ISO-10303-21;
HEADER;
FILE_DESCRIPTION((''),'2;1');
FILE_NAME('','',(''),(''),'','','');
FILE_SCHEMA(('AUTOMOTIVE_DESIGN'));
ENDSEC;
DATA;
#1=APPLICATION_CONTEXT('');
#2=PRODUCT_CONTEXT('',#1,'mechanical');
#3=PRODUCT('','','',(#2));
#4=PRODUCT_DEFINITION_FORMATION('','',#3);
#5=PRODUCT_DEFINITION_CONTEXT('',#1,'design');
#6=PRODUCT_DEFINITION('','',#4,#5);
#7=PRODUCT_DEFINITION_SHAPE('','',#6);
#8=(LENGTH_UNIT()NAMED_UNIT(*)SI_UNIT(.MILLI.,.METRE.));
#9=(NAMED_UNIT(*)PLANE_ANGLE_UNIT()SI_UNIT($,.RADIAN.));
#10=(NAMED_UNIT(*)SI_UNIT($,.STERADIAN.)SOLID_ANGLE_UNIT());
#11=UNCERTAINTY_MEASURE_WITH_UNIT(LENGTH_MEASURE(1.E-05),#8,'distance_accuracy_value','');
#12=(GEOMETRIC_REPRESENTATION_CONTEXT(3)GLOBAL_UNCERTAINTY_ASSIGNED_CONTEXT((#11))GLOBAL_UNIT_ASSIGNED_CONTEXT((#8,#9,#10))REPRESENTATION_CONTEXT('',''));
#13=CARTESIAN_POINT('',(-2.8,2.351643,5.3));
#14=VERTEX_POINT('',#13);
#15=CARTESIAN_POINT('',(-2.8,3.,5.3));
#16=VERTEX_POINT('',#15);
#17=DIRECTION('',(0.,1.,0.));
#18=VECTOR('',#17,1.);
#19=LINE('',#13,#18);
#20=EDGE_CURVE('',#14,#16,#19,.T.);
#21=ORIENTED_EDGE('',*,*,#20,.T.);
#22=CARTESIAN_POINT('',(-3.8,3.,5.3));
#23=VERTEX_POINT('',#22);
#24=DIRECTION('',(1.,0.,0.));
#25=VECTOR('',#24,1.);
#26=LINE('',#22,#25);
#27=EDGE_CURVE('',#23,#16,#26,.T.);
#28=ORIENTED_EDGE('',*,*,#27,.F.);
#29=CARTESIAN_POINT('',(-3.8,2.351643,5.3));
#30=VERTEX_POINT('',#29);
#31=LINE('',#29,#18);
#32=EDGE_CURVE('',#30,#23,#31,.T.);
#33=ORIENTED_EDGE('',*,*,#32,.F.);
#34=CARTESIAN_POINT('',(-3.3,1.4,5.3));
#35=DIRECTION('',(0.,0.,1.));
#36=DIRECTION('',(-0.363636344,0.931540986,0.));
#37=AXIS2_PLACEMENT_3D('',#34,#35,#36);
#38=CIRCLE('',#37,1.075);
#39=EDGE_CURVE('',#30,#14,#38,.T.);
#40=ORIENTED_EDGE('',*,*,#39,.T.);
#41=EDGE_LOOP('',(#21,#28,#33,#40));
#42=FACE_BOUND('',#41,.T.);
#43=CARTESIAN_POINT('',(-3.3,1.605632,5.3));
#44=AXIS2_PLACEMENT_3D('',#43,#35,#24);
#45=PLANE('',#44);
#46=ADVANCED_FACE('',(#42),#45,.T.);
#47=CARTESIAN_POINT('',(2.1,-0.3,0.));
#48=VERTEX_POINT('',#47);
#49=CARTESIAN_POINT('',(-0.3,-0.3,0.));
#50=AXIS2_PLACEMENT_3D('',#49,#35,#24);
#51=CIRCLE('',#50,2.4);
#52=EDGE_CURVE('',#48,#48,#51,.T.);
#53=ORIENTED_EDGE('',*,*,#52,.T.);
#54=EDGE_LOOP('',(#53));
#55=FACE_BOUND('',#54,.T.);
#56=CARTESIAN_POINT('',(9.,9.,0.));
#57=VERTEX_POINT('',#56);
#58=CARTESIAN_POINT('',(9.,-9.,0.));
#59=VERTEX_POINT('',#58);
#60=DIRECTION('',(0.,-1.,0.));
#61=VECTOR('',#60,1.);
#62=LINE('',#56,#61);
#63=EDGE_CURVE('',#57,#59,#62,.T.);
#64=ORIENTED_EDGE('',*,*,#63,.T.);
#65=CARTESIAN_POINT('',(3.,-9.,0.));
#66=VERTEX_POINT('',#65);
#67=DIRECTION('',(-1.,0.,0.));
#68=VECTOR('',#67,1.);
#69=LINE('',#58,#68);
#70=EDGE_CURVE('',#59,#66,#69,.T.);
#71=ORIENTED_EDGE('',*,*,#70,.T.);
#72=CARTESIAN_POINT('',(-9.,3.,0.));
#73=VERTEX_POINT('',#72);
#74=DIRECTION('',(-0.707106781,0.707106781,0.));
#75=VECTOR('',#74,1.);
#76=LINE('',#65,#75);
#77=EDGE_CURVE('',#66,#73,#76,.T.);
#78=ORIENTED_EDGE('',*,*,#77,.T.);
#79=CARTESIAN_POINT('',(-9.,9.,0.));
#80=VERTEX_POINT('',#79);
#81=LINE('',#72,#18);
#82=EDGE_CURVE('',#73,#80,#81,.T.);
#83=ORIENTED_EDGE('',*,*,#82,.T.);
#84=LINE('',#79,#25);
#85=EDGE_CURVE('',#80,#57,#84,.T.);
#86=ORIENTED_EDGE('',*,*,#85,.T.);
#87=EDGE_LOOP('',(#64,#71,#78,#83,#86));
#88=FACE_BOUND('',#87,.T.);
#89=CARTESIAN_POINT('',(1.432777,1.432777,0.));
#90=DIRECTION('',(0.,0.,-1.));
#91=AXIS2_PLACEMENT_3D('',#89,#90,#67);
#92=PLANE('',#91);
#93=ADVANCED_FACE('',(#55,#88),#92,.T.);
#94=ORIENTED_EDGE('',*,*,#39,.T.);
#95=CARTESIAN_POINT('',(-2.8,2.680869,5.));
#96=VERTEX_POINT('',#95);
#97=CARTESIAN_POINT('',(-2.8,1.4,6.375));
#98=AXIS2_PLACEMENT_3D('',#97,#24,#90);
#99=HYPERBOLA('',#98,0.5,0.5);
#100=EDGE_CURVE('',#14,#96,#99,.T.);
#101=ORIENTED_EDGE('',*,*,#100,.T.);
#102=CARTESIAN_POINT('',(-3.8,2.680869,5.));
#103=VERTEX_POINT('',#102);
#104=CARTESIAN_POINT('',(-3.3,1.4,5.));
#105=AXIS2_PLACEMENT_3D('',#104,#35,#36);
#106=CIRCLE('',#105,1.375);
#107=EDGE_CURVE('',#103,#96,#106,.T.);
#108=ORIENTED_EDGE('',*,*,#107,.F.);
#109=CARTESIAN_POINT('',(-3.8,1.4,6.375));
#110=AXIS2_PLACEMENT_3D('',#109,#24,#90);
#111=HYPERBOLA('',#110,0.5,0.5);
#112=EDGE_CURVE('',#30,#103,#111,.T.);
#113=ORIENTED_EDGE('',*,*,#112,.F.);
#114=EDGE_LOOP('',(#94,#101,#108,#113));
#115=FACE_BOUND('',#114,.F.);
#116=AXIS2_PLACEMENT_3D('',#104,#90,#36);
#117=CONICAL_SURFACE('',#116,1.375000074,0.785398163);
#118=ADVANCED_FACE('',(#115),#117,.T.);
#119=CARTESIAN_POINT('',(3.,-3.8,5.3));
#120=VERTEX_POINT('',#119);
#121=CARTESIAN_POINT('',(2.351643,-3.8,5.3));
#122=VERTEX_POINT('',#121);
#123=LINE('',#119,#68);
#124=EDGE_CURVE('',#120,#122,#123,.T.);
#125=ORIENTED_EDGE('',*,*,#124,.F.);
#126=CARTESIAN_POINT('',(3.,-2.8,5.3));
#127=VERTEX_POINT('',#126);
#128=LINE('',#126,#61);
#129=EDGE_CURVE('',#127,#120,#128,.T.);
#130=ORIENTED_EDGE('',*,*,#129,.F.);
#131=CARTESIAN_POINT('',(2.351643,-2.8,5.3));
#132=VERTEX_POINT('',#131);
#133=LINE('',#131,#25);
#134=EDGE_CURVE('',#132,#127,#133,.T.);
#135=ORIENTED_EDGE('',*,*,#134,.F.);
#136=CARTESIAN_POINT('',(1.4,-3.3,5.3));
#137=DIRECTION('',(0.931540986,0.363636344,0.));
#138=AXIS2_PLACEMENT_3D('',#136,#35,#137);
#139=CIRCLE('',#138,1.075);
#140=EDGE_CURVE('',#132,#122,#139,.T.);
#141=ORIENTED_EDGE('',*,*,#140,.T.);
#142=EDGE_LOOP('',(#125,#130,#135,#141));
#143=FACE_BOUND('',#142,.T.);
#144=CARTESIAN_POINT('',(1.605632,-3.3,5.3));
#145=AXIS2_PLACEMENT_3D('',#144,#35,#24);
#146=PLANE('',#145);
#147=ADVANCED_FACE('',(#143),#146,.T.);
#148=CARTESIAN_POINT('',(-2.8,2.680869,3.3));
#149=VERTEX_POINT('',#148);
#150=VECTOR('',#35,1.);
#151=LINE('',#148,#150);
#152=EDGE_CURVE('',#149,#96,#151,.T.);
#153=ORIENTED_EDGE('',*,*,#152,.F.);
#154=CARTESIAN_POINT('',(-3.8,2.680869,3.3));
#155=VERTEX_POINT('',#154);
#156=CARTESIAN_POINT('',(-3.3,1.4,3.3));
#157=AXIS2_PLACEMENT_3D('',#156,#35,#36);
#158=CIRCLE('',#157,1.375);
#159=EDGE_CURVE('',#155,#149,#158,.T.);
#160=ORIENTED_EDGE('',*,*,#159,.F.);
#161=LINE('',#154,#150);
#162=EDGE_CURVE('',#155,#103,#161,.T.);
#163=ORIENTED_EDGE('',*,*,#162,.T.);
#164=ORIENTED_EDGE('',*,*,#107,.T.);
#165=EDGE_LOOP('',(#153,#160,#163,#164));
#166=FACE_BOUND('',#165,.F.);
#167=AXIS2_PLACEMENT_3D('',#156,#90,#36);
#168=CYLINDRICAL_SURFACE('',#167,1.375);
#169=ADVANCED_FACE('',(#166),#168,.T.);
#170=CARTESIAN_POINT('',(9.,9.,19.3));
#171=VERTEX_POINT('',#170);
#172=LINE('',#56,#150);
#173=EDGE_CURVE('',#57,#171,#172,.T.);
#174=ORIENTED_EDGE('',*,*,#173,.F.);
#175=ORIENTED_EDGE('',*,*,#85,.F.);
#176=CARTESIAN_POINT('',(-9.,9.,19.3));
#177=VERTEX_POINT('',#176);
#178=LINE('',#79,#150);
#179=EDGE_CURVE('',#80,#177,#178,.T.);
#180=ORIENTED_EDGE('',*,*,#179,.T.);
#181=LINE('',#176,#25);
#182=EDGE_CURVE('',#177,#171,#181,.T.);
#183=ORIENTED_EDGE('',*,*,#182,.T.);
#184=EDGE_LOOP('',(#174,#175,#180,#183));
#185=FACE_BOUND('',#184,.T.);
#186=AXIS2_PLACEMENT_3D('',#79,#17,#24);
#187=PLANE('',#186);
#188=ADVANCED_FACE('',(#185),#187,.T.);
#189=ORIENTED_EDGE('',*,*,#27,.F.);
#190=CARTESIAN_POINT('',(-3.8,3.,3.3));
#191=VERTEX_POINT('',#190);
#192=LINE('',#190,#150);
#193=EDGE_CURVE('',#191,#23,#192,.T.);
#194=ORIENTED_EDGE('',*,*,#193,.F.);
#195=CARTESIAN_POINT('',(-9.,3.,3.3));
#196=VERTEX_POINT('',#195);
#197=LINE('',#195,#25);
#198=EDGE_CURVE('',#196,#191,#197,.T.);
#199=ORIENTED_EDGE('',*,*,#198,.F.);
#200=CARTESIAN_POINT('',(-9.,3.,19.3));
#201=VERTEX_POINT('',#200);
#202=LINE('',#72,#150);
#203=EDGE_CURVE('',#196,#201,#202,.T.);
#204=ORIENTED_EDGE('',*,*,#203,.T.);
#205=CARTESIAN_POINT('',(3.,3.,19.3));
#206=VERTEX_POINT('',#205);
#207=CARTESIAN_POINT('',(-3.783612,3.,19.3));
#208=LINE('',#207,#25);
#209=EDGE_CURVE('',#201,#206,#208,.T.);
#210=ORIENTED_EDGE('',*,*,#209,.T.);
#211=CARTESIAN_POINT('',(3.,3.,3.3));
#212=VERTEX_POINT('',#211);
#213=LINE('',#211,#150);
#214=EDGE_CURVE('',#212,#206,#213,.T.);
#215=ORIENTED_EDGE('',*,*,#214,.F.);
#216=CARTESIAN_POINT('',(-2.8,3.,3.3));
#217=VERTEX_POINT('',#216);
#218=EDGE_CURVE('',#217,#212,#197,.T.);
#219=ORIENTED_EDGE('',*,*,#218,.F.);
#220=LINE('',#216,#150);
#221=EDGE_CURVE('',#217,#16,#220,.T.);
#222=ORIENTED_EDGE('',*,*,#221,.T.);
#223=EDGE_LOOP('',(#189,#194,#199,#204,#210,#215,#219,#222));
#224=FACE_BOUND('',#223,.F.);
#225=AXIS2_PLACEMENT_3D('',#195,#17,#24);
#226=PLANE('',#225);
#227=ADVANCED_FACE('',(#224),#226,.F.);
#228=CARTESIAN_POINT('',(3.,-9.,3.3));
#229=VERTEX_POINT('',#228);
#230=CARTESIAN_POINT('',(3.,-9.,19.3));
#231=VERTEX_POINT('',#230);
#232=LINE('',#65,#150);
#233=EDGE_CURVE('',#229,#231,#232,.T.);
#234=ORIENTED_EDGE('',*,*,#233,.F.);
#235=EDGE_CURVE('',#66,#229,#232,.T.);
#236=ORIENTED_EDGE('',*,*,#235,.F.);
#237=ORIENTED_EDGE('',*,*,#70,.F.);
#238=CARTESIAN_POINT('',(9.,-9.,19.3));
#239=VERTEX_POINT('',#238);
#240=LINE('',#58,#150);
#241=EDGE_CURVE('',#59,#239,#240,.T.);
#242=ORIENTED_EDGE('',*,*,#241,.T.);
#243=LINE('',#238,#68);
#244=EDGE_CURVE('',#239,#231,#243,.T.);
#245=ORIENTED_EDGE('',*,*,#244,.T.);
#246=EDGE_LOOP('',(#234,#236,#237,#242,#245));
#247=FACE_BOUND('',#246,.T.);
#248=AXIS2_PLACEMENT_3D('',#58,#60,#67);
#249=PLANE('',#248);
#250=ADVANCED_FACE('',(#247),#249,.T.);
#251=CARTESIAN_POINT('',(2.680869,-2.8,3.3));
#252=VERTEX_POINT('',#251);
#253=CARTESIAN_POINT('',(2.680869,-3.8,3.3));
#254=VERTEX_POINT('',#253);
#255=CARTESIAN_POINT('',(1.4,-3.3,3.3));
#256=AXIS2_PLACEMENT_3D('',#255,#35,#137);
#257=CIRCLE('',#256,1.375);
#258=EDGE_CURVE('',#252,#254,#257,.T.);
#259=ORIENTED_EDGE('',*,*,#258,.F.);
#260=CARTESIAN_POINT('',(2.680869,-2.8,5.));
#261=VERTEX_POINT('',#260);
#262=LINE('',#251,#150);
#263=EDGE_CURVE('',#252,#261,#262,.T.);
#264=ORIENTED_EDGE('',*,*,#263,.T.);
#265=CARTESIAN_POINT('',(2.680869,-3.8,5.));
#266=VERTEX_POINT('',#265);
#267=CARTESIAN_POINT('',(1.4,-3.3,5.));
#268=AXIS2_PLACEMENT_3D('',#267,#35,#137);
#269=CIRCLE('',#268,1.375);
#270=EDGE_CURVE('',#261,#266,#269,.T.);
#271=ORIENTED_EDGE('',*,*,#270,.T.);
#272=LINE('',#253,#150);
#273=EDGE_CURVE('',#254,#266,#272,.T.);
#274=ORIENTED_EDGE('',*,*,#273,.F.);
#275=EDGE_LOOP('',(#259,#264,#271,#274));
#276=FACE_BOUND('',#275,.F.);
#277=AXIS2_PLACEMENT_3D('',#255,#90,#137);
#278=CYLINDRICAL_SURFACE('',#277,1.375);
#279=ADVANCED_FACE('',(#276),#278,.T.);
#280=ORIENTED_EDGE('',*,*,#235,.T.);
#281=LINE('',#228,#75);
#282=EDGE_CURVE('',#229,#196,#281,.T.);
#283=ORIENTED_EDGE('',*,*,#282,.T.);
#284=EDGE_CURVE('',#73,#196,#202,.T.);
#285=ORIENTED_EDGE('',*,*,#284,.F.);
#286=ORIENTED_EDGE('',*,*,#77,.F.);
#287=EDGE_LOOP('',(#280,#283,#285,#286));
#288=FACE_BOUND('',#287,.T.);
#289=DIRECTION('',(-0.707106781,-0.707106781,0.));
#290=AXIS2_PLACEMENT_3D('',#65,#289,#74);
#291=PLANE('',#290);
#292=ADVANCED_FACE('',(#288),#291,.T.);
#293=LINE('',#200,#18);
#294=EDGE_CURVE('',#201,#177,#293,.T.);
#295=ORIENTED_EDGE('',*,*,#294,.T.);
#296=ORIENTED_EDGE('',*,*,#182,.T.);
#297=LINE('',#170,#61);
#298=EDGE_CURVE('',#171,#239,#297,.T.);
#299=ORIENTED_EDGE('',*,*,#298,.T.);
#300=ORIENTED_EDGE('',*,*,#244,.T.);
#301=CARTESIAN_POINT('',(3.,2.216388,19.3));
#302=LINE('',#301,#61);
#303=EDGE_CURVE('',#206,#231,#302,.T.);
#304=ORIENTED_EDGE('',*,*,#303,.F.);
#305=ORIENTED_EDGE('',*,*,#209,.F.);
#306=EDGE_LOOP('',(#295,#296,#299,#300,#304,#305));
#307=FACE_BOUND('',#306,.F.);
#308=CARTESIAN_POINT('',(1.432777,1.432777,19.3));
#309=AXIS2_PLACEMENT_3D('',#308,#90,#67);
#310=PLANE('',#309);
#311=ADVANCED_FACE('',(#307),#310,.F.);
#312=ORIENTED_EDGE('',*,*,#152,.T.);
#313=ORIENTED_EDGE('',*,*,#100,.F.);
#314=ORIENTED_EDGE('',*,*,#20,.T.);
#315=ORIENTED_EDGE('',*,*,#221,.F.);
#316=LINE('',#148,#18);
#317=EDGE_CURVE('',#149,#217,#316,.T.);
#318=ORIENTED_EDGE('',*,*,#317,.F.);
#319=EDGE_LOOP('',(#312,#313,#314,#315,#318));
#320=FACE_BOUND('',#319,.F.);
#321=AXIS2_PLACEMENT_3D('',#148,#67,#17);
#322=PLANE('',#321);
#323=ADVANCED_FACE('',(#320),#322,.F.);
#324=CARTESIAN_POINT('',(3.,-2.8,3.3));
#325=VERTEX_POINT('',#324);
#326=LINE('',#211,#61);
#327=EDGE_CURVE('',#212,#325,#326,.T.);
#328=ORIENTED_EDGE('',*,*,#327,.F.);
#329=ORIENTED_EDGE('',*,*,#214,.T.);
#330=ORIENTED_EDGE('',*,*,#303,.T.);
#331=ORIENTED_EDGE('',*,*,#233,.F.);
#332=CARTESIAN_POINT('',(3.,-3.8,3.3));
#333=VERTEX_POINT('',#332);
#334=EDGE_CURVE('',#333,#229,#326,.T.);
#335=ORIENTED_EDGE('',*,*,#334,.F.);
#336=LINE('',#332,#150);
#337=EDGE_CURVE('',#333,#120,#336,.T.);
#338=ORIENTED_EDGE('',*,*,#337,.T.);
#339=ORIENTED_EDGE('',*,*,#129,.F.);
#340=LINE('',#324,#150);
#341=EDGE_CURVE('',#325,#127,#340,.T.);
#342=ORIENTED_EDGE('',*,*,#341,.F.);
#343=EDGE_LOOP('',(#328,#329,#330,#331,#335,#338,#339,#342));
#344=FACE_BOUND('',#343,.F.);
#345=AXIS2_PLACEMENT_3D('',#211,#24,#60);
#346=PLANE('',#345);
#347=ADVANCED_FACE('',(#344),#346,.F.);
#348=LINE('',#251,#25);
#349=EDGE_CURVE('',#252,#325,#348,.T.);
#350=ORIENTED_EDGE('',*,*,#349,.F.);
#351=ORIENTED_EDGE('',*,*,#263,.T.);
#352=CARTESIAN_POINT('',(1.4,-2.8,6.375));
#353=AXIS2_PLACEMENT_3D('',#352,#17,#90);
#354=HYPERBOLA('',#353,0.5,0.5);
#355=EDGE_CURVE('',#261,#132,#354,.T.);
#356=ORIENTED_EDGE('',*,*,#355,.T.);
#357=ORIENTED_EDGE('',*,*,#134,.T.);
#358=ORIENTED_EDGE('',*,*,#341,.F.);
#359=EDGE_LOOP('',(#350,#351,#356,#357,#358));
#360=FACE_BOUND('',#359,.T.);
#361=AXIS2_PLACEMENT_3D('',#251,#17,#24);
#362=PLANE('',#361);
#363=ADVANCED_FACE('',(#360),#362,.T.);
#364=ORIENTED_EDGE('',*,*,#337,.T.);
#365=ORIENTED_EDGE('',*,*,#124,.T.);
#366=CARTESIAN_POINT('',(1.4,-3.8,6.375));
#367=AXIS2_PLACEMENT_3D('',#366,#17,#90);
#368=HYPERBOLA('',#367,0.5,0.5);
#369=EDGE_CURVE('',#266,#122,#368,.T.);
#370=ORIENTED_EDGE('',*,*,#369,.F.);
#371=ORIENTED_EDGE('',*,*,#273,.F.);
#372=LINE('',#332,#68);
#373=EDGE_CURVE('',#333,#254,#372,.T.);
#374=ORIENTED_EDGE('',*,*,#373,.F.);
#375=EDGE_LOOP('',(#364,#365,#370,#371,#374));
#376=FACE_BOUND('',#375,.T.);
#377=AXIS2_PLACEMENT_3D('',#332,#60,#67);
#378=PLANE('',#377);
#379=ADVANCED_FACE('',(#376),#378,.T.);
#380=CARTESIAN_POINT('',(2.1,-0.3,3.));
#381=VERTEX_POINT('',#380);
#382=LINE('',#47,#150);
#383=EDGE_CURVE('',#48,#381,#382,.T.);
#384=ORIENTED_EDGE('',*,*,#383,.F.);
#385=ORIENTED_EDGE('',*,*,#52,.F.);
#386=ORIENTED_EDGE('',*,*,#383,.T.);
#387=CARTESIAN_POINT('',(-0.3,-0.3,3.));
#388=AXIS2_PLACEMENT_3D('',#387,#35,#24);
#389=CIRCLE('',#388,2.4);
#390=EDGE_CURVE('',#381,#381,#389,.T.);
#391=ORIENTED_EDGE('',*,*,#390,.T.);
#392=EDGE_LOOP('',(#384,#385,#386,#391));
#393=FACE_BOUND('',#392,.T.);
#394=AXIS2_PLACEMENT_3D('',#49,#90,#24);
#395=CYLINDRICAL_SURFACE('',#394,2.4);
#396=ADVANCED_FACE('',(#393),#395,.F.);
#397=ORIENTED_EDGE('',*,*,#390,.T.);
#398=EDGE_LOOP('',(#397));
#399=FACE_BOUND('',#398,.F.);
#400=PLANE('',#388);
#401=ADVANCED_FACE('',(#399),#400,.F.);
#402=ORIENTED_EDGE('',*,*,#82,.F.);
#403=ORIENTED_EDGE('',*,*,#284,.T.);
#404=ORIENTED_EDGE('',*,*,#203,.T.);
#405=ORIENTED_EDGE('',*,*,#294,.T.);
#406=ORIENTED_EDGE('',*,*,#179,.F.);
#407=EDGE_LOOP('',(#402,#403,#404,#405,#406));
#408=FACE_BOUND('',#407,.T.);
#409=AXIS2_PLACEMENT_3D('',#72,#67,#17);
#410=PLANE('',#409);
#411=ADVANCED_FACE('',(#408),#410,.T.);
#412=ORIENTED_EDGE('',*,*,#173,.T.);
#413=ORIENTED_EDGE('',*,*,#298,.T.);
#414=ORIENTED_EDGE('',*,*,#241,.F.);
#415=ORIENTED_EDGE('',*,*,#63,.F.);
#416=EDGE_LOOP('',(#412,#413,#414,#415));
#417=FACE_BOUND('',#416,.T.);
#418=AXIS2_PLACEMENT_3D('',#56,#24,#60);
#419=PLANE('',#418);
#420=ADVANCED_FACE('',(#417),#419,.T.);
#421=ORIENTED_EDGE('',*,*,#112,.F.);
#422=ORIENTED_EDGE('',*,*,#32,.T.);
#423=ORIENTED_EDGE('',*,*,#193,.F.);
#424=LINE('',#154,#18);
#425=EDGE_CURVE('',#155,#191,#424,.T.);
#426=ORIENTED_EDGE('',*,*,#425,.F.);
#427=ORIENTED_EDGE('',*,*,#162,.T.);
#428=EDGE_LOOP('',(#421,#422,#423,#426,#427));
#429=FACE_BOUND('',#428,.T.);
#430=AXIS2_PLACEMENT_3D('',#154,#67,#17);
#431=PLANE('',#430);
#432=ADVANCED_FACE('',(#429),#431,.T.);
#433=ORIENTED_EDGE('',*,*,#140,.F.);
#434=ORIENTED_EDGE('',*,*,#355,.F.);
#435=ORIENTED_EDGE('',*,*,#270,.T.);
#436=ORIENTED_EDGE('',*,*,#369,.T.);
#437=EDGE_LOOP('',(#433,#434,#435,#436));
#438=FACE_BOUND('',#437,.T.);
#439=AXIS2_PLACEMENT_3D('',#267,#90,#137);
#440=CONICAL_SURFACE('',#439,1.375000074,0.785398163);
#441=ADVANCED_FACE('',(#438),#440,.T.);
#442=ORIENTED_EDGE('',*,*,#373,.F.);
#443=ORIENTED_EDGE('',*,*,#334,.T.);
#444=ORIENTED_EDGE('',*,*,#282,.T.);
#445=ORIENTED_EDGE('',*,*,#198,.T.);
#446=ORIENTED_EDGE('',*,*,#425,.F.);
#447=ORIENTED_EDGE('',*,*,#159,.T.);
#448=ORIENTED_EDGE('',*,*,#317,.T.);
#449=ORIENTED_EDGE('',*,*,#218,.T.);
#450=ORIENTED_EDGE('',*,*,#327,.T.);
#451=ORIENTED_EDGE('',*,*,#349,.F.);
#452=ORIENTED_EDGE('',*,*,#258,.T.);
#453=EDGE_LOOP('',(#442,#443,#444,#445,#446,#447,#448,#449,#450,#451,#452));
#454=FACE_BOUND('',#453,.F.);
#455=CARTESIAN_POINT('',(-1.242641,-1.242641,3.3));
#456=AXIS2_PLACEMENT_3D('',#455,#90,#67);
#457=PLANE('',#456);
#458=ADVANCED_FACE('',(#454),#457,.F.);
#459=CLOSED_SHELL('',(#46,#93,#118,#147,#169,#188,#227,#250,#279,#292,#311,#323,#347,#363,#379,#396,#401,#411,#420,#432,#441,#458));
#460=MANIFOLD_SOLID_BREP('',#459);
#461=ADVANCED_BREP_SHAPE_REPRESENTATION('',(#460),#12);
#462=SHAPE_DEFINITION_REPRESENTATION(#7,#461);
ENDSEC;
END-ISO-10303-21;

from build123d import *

# Parameters (mm, degrees)
PAD_DEPTH       = 19.3
POCKET_DEPTH    = 16.001
PAD001_DEPTH    = 2
SKETCH003_R     = 2.4
POCKET001_DEPTH = 3
CHAMFER_SIZE    = 0.3


with BuildPart() as part:
    # Sketch → Pad (new body)
    with BuildSketch(Plane.XY):
        Polygon((-9, 3), (-9, 9), (9, 9), (9, -9), (3, -9), align=None)
    extrude(amount=PAD_DEPTH)

    # Sketch001 (on DatumPlane) → Pocket (cut, through all)
    with BuildSketch(Plane.XY.offset(3.3)):
        Polygon((-9, 3), (3, 3), (3, -9), align=None)
    extrude(amount=POCKET_DEPTH, mode=Mode.SUBTRACT)

    # Sketch002 (on DatumPlane) → Pad001 (join)
    with BuildSketch(Plane.XY.offset(3.3)):
        with BuildLine():
            ThreePointArc((-3.8, 2.680869), (-3.3, 0.025), (-2.8, 2.680869))
            Line((-2.8, 2.680869), (-2.8, 3))
            Line((-3.8, 3), (-2.8, 3))
            Line((-3.8, 2.680869), (-3.8, 3))
        make_face()
        with BuildLine():
            ThreePointArc((2.680869, -2.8), (0.025, -3.3), (2.680869, -3.8))
            Line((3, -3.8), (2.680869, -3.8))
            Line((3, -2.8), (3, -3.8))
            Line((2.680869, -2.8), (3, -2.8))
        make_face()
    extrude(amount=PAD001_DEPTH)

    # Sketch003 → Pocket001 (cut)
    with BuildSketch(Plane.XY):
        with Locations((-0.3, -0.3)):
            Circle(SKETCH003_R)
    extrude(amount=POCKET001_DEPTH, mode=Mode.SUBTRACT)

    # Chamfer
    chamfer_edges = [part.edges().sort_by_distance(p)[0] for p in [
        (-3.3, 0.025, 5.3),
        (0.025, -3.3, 5.3),
    ]]
    chamfer(chamfer_edges, length=CHAMFER_SIZE)


solid = part.part
